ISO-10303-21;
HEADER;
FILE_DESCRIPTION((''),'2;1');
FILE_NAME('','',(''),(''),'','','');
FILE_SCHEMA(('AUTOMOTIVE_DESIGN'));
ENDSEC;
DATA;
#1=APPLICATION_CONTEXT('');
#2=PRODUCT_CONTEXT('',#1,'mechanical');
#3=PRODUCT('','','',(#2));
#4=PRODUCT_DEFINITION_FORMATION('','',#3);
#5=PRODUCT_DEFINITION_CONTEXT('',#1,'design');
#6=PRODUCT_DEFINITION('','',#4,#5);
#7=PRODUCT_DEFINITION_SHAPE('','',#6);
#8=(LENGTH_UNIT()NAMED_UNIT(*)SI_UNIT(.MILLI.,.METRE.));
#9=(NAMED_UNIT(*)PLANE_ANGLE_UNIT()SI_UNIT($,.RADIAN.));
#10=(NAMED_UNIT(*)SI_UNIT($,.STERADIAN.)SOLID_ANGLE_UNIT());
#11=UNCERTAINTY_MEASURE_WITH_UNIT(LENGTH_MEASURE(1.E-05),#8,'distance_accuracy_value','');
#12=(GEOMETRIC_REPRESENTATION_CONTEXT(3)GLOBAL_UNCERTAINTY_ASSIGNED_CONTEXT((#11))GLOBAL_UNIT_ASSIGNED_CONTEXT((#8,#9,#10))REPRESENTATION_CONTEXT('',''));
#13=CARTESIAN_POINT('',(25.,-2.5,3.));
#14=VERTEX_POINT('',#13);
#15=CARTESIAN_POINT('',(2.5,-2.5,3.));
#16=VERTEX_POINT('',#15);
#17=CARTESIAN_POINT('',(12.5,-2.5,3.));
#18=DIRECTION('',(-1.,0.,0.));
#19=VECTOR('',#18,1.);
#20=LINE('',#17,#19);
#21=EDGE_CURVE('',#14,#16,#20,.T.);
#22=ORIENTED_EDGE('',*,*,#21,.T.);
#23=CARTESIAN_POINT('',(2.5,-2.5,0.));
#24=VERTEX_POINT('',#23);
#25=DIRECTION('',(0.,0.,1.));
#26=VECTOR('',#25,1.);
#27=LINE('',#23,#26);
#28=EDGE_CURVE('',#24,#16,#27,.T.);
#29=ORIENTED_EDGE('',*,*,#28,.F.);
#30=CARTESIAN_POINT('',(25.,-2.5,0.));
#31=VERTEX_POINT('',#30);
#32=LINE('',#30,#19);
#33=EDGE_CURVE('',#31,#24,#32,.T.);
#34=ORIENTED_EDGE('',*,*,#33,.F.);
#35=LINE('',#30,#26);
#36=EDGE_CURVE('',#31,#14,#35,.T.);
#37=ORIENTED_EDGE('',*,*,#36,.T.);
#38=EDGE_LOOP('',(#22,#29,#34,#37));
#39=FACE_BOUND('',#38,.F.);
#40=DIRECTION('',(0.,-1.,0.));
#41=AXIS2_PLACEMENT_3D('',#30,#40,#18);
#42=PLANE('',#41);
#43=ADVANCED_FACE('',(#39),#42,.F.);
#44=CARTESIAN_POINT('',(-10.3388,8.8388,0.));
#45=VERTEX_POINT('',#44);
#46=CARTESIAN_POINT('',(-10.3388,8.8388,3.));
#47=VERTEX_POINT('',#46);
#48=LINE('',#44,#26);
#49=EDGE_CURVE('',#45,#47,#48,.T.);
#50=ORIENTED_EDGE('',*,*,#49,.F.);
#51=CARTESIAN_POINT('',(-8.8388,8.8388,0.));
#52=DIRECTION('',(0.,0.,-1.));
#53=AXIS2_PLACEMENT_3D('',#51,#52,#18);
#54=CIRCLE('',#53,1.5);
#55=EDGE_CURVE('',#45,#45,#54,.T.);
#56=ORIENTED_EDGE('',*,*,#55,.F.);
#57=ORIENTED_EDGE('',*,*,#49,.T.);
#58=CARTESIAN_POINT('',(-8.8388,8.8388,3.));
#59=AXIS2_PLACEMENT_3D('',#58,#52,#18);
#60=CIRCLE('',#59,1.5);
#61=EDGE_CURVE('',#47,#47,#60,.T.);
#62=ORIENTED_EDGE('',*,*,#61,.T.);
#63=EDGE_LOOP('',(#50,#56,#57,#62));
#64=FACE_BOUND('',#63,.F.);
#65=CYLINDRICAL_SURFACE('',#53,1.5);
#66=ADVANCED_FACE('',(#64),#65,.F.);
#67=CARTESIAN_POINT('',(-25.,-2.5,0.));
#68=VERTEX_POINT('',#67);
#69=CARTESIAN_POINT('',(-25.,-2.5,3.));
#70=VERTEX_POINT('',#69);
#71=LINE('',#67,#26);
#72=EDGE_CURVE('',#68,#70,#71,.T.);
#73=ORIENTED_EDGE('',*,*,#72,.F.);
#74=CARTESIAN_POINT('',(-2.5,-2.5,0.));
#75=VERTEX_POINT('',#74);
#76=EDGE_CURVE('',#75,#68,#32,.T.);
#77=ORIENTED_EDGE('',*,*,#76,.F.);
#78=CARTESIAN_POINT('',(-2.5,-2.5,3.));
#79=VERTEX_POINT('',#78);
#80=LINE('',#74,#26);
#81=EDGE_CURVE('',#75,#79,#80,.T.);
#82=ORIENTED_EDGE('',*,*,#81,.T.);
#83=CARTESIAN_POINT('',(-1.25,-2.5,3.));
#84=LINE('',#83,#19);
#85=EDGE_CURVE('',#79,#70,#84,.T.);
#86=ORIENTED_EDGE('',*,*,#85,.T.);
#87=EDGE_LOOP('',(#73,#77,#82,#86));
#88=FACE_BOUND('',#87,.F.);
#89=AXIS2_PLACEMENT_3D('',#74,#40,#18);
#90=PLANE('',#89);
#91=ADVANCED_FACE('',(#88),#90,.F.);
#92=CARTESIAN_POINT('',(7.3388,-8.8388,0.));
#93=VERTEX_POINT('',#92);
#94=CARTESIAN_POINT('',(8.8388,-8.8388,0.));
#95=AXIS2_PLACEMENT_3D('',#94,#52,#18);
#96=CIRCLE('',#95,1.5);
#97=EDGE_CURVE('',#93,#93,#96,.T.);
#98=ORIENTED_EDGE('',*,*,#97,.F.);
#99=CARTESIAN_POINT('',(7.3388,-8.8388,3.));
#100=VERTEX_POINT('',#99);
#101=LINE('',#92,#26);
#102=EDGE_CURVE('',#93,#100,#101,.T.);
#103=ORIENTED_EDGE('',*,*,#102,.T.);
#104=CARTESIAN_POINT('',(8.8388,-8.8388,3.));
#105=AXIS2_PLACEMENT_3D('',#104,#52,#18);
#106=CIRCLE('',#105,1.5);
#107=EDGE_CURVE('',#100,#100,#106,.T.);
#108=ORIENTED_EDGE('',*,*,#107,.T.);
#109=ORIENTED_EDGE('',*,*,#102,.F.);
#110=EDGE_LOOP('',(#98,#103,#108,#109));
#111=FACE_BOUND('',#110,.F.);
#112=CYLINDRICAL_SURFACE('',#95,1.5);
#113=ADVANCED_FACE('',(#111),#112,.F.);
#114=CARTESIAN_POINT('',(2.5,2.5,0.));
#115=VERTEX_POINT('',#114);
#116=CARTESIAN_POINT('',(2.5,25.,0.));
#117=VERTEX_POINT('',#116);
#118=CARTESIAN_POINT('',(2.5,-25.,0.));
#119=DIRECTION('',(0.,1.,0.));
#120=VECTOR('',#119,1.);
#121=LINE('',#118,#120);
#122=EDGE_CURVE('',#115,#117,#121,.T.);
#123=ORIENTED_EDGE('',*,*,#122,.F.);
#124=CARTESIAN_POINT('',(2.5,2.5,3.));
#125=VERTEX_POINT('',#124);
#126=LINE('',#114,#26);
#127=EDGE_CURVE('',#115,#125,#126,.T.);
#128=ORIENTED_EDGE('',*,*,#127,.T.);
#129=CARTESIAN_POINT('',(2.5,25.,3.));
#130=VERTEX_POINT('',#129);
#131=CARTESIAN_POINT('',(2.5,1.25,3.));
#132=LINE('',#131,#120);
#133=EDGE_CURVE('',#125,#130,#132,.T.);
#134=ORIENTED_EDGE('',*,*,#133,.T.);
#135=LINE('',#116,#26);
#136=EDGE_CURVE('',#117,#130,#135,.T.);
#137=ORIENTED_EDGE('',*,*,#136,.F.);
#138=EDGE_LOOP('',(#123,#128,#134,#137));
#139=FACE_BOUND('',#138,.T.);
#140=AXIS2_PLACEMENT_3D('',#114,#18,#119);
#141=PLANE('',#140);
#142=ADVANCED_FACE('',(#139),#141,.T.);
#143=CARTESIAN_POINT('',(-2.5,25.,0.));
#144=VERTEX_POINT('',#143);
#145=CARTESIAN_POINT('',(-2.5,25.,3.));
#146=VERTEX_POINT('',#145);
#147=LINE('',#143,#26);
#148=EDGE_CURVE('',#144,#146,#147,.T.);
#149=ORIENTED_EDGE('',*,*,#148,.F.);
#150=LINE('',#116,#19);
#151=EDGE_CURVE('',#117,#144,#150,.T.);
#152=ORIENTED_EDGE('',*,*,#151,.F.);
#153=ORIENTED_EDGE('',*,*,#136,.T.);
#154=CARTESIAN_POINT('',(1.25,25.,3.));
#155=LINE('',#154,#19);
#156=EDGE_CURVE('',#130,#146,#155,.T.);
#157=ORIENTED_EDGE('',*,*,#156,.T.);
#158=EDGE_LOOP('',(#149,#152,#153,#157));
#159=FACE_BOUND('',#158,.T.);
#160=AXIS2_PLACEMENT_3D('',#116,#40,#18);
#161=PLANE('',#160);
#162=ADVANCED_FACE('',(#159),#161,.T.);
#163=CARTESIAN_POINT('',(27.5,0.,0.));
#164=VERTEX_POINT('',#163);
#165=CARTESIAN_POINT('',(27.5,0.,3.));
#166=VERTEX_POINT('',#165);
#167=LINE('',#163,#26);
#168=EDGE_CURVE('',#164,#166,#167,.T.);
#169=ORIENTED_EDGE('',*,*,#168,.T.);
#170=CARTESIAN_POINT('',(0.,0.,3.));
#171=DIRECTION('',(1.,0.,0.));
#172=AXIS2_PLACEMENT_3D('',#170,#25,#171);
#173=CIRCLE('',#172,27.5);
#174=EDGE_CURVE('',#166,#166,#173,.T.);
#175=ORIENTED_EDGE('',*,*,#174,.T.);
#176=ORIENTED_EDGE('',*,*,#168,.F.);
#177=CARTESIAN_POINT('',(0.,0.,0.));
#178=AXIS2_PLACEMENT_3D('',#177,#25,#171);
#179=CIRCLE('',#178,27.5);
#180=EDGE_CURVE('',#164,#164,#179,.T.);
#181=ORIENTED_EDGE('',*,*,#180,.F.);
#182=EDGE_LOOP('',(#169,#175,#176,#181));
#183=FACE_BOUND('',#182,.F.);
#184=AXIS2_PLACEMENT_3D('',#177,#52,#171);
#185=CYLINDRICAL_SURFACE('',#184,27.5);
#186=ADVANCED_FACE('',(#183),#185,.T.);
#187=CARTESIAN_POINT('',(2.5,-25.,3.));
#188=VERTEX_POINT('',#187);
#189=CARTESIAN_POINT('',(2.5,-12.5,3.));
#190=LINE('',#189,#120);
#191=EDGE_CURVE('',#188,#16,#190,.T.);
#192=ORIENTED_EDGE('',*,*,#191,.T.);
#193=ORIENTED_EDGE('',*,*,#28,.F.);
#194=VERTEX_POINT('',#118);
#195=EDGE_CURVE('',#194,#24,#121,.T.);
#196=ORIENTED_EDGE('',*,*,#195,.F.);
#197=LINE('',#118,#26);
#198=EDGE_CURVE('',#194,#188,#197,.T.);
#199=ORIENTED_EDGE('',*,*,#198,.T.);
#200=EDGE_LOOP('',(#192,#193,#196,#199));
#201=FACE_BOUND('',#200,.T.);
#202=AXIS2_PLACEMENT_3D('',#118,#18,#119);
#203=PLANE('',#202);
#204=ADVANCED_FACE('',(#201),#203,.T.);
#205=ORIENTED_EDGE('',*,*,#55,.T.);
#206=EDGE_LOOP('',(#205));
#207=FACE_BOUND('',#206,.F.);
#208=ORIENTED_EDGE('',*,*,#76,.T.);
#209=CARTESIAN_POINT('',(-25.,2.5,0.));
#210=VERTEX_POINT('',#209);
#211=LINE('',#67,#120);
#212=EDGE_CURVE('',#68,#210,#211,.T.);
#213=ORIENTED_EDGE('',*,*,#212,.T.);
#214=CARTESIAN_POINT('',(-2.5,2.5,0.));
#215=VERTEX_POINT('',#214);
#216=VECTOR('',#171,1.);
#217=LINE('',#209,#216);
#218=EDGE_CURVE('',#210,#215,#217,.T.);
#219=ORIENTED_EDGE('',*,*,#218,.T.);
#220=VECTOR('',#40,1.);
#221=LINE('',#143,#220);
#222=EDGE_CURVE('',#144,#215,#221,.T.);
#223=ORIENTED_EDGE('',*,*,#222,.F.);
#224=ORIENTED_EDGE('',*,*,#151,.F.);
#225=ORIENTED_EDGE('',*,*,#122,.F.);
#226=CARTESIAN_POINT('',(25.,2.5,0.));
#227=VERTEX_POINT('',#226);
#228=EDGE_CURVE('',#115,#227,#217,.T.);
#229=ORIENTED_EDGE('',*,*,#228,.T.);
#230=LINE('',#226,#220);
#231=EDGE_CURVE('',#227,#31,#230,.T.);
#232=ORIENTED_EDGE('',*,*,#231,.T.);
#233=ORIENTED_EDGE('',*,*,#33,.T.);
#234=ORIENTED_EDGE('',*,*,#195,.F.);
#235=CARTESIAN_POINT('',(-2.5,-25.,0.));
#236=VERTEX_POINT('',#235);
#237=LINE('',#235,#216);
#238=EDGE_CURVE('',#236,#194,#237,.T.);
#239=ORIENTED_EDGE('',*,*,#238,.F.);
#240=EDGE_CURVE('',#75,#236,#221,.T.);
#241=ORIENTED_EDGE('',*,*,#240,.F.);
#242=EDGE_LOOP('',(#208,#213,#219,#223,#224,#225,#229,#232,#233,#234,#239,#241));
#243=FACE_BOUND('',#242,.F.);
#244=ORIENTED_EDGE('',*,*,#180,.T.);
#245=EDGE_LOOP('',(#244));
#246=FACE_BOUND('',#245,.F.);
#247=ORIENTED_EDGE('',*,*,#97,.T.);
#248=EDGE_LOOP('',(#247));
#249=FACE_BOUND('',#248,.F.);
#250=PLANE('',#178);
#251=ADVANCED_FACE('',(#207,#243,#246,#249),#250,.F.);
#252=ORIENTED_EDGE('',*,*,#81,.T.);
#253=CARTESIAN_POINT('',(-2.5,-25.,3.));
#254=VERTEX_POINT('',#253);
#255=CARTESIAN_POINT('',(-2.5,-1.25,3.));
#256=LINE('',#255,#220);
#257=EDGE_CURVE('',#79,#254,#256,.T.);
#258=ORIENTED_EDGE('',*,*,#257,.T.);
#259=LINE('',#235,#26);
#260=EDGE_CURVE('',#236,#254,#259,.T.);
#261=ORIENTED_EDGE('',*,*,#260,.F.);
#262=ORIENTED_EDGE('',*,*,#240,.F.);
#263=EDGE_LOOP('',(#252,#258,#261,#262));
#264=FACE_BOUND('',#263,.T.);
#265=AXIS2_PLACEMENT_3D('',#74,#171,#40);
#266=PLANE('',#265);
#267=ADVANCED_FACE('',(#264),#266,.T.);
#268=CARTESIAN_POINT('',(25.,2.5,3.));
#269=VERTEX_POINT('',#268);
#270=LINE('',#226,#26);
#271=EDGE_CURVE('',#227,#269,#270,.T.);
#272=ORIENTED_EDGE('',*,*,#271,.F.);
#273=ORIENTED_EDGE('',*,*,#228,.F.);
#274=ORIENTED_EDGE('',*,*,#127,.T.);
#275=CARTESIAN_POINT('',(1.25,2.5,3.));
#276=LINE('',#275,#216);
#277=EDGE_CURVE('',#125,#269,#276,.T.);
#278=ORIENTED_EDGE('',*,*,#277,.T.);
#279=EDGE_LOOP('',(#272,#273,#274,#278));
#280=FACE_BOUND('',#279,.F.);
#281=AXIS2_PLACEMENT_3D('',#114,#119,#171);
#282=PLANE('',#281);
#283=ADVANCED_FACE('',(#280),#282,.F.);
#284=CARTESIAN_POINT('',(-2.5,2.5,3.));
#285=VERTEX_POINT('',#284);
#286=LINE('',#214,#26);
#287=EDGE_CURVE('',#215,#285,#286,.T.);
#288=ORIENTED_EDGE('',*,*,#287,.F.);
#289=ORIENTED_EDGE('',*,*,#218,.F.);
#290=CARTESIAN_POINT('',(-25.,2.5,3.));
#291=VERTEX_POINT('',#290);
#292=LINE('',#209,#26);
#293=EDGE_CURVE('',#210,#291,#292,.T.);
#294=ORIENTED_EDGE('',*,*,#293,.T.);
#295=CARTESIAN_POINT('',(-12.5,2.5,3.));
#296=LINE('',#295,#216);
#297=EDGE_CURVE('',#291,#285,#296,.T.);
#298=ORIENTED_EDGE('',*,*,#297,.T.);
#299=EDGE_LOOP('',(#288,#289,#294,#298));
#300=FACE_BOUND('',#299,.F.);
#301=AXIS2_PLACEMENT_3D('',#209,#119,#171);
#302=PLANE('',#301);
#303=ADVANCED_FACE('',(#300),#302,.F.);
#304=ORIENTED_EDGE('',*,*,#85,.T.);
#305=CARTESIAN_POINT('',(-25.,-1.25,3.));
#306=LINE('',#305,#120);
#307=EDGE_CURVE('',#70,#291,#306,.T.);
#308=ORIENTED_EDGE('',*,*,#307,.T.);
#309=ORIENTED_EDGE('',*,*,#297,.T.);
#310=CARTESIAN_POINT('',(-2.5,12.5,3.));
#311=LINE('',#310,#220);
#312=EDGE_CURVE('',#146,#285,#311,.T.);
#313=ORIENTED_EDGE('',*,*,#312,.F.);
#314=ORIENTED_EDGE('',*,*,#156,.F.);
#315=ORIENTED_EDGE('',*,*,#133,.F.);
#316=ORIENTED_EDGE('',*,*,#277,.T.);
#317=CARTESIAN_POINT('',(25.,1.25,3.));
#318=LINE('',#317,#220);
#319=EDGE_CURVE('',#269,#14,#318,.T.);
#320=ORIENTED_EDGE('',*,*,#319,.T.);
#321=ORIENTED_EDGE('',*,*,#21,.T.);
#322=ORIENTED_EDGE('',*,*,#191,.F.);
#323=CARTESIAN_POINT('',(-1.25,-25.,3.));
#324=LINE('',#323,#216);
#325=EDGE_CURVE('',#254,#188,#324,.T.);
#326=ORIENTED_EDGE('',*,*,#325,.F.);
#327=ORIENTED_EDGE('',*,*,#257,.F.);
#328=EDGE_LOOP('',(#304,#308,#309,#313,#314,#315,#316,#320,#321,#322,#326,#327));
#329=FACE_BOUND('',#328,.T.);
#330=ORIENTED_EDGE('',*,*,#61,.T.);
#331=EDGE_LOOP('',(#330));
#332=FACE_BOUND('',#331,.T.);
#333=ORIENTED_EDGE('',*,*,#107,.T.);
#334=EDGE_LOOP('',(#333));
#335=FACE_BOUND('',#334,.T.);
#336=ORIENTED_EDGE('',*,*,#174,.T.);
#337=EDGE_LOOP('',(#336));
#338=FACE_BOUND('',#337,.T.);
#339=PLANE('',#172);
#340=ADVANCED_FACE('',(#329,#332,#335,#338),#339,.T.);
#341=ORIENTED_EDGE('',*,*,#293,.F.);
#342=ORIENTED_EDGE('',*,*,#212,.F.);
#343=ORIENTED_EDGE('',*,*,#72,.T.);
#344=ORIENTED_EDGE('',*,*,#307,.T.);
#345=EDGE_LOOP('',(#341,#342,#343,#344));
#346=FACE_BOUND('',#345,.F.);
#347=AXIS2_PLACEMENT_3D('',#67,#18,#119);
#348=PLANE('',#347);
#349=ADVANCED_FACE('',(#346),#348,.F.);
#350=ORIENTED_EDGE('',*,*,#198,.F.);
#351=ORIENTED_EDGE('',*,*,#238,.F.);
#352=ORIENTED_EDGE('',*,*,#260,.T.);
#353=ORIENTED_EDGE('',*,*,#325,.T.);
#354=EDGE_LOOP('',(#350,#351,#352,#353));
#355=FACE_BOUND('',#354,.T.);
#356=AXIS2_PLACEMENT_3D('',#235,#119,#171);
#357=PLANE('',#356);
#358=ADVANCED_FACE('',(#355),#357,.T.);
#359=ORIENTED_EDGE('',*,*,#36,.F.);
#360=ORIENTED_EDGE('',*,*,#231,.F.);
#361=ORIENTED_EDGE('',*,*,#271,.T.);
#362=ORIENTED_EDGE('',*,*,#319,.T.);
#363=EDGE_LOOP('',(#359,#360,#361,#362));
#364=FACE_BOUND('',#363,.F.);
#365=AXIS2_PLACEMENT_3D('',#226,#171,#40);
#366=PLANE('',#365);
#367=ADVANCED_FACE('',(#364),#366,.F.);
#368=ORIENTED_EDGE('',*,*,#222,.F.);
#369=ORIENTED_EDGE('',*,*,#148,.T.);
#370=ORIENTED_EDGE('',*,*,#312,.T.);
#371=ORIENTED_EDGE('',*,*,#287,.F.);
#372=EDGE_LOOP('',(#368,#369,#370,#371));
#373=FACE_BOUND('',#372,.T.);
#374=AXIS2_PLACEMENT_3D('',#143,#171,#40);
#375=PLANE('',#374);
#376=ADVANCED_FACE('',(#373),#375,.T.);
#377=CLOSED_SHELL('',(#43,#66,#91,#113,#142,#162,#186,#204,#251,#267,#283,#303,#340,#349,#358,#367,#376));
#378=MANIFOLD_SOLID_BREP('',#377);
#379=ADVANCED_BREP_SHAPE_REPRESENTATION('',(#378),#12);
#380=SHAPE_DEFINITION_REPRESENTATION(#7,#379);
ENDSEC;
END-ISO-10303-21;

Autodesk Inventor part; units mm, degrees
ref_plane "YZ Plane" through (0, 0, 0) normal (1, 0, 0) x (0, 1, 0)
ref_plane "XZ Plane" through (0, 0, 0) normal (0, 1, 0) x (-1, 0, 0)
ref_plane "XY Plane" through (0, 0, 0) normal (0, 0, 1) x (1, 0, 0)
sketch "Sketch1" plane through (0, 0, 0) normal (0, 0, 1) x (1, 0, 0)
  circle A0 centre (0, 0) radius 27.5
  dimension "d0" = 55
extrude "Extrusion1" add sketch "Sketch1" along normal blind 3
sketch "Sketch2" plane through (0, 0, 0) normal (0, 0, -1) x (-1, 0, 0)
  circle A0 centre (0, 0) radius 27.5 projected
  line L0 (-2.5, -25) -> (-2.5, 25)
  line L1 (-2.5, 25) -> (2.5, 25)
  line L2 (2.5, 25) -> (2.5, -25)
  line L3 (2.5, -25) -> (-2.5, -25)
  line L4 (-2.5, -25) -> (2.5, 25) construction
  line L5 (-2.5, 25) -> (2.5, -25) construction
  line L6 (-25, -2.5) -> (25, -2.5)
  line L7 (25, -2.5) -> (25, 2.5)
  line L8 (25, 2.5) -> (-25, 2.5)
  line L9 (-25, 2.5) -> (-25, -2.5)
  line L10 (-25, -2.5) -> (25, 2.5) construction
  line L11 (25, -2.5) -> (-25, 2.5) construction
  dimension "d3" = 50
  dimension "d4" = 5
  dimension "d5" = 50
  dimension "d6" = 5
extrude "Extrusion2" cut sketch "Sketch2" against normal up to next contours L0 L6 L2 L3 | L6 L9 L8 L0 | L0 L8 L2 L6 | L0 L1 L2 L8 | L2 L8 L7 L6
sketch "Sketch3" plane through (0, 0, 0) normal (0, 0, -1) x (-1, 0, 0)
  circle A0 centre (8.8388, 8.8388) radius 1.5 projected
  circle A1 centre (-8.8388, -8.8388) radius 1.5 projected
extrude "Extrusion3" cut sketch "Sketch3" against normal up to next
properties part number "TransparentTop"
